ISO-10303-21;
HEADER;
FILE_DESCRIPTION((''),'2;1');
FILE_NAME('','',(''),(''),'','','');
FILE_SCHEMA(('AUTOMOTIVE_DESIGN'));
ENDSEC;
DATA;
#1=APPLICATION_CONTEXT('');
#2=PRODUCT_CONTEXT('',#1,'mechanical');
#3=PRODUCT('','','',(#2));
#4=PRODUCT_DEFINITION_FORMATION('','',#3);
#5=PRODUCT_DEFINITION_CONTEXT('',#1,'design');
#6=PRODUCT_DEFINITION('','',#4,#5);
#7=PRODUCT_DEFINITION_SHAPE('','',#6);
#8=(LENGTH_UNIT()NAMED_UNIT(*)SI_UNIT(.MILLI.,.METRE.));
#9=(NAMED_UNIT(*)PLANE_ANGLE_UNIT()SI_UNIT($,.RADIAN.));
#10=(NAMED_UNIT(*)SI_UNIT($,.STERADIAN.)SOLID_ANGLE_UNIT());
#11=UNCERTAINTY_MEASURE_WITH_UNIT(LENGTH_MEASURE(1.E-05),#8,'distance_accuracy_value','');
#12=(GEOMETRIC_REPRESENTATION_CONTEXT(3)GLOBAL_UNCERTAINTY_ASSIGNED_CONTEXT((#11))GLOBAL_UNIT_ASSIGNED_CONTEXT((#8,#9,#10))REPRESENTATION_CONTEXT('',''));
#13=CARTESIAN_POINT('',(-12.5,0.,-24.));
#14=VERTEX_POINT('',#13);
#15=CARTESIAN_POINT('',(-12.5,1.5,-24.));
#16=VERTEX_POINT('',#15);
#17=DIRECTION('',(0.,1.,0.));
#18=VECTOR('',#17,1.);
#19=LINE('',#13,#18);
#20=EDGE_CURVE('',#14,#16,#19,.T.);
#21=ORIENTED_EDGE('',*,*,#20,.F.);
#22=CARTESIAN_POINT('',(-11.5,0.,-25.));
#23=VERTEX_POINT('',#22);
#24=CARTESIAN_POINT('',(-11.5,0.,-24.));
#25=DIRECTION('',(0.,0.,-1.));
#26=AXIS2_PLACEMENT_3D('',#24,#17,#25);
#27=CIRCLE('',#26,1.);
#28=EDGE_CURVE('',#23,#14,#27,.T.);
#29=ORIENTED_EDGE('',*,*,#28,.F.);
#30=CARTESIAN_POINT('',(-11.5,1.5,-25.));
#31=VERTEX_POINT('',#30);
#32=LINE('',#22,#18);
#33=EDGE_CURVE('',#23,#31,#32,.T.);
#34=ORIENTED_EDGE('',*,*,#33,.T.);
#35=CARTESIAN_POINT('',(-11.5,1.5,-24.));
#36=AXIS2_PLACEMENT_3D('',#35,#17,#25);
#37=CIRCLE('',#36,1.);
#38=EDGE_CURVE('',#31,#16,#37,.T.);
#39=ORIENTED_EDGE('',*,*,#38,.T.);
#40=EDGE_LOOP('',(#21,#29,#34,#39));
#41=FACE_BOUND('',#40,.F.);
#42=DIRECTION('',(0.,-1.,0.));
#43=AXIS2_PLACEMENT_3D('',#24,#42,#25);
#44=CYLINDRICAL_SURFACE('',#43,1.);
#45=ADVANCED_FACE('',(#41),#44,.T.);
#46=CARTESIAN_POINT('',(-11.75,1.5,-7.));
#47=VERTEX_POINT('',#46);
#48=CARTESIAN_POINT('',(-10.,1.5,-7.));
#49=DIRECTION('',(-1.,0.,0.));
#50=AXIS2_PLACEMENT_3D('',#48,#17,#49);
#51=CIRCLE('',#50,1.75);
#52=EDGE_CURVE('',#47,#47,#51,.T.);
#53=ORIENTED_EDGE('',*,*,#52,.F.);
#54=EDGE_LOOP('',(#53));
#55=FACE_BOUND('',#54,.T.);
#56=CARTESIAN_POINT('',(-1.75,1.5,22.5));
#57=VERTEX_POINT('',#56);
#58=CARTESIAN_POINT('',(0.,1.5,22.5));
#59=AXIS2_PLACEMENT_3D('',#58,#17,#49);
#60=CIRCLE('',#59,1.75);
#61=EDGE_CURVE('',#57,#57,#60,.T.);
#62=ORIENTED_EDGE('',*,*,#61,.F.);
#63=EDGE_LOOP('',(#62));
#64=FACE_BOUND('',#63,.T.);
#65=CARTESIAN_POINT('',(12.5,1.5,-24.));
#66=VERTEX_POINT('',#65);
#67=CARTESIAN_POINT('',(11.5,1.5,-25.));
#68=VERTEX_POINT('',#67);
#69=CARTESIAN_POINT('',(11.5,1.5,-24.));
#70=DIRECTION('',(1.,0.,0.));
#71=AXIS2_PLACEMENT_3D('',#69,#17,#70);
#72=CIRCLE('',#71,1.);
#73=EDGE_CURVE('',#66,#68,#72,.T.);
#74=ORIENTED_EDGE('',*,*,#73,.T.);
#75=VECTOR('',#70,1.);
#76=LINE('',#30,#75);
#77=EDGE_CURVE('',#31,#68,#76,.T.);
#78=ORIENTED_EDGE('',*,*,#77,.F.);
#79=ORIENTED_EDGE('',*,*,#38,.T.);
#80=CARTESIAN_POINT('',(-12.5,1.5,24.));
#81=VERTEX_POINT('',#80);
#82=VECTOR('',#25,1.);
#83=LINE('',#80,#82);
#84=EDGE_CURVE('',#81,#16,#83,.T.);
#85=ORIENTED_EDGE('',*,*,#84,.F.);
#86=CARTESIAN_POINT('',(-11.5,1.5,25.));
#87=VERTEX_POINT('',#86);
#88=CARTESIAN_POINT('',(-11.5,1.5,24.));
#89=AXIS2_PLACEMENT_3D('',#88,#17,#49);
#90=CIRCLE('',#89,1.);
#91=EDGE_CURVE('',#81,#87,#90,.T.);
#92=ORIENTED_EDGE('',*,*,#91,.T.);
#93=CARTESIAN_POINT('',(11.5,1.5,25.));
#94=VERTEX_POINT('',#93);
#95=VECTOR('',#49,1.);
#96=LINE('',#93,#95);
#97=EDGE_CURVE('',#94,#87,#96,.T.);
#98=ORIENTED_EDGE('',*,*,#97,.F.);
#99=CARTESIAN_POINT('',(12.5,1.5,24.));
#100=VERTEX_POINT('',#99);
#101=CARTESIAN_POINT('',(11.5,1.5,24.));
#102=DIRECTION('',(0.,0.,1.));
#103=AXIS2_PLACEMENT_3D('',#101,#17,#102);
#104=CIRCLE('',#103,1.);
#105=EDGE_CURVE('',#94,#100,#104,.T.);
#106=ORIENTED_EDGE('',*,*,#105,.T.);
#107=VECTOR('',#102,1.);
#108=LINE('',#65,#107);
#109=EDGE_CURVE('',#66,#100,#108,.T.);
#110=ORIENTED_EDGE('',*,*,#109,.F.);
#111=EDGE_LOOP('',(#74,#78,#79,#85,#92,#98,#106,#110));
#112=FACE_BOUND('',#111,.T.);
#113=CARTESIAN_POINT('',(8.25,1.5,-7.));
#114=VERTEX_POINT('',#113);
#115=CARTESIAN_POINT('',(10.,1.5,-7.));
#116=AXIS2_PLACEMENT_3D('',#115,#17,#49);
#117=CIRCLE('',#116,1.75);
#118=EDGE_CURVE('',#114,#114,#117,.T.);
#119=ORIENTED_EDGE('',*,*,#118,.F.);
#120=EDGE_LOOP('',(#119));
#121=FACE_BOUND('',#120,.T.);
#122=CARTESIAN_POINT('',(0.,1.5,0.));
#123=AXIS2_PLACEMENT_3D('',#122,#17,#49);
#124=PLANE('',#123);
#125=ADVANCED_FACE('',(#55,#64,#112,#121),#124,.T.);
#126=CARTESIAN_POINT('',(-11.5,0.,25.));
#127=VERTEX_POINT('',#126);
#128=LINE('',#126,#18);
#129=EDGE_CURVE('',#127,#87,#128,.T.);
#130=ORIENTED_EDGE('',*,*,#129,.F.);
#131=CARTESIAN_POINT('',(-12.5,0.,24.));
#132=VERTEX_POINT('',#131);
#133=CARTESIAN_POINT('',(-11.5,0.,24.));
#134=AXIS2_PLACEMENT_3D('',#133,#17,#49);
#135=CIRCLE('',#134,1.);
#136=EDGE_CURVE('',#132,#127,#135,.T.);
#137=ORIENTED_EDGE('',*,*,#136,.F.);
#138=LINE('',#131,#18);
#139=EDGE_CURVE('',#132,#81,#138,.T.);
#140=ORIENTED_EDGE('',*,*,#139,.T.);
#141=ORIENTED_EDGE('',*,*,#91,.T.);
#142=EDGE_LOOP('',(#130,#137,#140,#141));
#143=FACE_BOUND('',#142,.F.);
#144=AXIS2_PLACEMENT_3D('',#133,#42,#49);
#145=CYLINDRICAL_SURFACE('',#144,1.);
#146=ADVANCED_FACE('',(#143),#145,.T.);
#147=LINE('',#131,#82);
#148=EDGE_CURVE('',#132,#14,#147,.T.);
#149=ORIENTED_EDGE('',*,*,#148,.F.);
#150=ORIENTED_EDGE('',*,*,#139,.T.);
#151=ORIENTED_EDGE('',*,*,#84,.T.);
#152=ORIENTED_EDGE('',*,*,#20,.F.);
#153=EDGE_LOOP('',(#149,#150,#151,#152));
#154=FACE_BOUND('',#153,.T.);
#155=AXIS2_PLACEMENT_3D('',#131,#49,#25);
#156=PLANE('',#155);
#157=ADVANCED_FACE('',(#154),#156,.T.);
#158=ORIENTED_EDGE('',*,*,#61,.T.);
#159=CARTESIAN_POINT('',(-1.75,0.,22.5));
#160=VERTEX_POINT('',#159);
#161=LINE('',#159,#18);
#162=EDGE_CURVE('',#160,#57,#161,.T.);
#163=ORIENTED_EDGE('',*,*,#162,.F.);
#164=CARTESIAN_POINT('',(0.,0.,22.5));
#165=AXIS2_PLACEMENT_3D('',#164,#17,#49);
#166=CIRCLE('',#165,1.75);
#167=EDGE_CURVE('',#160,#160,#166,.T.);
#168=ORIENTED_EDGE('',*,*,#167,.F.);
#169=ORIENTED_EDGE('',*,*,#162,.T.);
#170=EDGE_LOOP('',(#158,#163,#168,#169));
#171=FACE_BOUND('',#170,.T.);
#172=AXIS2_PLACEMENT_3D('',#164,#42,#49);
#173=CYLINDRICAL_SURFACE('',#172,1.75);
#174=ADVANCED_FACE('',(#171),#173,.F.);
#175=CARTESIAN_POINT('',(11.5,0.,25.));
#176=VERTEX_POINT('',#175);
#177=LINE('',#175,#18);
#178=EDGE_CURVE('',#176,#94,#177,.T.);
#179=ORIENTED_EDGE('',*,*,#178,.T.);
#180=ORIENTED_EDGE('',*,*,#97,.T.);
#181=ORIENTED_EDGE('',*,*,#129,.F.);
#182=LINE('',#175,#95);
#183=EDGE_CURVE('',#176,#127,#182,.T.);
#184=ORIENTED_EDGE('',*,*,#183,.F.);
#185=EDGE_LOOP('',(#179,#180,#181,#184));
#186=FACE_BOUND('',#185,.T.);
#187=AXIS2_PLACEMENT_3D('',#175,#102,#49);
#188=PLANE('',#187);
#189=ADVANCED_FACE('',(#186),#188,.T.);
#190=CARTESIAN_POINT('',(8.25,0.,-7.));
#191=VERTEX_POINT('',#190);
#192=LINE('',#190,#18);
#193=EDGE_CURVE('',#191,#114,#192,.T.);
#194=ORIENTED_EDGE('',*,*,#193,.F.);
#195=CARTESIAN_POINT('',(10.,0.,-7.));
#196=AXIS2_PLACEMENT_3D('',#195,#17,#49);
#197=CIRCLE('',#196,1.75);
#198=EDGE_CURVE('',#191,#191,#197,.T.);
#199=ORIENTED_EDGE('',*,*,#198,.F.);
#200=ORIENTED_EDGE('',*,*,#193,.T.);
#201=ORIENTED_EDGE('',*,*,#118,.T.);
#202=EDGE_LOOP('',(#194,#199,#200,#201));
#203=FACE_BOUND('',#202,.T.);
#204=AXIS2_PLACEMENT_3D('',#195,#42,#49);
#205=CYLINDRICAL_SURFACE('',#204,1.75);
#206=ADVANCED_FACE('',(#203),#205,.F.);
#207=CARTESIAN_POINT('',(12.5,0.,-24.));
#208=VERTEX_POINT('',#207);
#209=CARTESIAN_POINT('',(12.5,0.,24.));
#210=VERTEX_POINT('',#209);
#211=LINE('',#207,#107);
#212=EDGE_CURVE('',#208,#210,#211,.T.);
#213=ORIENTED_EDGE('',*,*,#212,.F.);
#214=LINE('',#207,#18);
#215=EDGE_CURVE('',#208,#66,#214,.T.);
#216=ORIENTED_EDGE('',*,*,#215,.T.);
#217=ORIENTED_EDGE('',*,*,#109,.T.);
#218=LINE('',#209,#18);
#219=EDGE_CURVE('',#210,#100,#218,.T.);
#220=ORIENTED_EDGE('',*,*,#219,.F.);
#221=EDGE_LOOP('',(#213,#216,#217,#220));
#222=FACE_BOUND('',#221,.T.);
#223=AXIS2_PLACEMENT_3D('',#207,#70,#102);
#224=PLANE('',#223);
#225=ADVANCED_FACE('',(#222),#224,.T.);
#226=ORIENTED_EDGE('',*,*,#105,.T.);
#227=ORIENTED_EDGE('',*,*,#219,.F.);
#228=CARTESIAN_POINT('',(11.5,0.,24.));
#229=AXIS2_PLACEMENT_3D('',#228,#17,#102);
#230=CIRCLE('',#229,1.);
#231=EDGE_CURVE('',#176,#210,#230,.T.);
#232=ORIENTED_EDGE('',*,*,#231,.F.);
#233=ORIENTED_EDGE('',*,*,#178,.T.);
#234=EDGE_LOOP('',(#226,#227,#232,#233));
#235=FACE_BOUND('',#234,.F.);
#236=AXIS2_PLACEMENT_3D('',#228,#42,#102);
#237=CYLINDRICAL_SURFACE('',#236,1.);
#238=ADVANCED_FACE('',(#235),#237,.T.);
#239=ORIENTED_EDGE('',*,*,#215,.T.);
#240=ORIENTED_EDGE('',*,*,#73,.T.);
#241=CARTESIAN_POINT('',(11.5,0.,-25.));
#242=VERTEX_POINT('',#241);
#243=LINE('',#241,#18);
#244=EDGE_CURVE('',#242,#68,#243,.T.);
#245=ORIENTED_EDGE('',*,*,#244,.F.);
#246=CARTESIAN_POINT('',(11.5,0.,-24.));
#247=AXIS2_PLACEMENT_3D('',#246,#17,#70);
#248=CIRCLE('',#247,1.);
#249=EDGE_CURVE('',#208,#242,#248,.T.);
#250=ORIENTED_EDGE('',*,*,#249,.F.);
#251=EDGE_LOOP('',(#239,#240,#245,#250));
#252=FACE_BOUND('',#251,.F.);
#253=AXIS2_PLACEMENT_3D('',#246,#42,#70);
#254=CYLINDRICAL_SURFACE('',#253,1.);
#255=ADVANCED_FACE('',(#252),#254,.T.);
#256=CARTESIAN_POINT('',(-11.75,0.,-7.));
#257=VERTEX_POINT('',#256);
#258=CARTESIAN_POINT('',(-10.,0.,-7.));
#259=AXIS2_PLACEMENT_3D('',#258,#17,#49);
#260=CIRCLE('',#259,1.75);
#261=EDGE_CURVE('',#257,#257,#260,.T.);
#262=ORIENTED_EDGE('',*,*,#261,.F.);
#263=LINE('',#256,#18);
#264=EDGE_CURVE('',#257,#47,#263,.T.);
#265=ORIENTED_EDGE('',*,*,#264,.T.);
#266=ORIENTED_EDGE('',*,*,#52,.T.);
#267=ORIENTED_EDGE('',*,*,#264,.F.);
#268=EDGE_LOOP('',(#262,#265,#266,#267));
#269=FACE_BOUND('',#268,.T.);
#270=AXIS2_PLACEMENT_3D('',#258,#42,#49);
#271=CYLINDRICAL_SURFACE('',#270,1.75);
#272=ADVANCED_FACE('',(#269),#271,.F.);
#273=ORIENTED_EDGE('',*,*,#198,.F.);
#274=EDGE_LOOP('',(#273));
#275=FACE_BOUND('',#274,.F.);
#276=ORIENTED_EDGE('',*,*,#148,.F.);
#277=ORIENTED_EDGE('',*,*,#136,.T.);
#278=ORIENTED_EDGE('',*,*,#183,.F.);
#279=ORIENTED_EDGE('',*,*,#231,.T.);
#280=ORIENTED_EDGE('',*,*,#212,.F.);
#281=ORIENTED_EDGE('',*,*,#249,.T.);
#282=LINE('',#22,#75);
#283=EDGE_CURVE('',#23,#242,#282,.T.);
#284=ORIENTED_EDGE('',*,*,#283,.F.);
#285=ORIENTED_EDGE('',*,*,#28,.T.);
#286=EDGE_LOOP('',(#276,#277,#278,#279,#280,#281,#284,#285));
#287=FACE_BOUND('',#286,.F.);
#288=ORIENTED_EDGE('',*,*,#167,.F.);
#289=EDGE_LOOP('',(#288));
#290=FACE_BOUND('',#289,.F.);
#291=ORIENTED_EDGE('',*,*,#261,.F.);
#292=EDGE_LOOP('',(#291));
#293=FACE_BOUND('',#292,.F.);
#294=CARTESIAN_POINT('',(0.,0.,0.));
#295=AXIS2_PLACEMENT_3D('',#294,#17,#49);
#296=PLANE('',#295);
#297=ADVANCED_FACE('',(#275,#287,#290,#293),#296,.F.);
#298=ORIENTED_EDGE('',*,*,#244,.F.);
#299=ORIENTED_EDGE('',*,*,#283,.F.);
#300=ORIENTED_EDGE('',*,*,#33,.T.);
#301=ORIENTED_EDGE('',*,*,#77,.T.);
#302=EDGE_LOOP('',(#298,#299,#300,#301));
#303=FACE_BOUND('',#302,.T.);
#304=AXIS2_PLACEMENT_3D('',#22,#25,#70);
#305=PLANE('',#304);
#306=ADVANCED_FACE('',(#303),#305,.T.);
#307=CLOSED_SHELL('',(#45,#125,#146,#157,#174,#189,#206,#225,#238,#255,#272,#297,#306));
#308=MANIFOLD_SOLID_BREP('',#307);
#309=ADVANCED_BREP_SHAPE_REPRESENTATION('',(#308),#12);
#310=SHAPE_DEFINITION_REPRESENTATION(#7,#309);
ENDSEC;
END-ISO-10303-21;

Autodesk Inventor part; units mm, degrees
ref_plane "YZ Plane" through (0, 0, 0) normal (1, 0, 0) x (0, 1, 0)
ref_plane "XZ Plane" through (0, 0, 0) normal (0, 1, 0) x (-1, 0, 0)
ref_plane "XY Plane" through (0, 0, 0) normal (0, 0, 1) x (1, 0, 0)
sketch "Esquisse1" plane through (0, 0, 0) normal (0, 1, 0) x (-1, 0, 0)
  line L0 (-11.5, 25) -> (11.5, 25)
  line L1 (12.5, 24) -> (12.5, -24)
  line L2 (11.5, -25) -> (-11.5, -25)
  line L3 (-12.5, -24) -> (-12.5, 24)
  line L4 (-12.5, 25) -> (12.5, -25) construction
  line L5 (12.5, 25) -> (-12.5, -25) construction
  arc A0 (12.5, 24) -> (11.5, 25) centre (11.5, 24) ccw
  arc A1 (-11.5, 25) -> (-12.5, 24) centre (-11.5, 24) ccw
  arc A2 (-12.5, -24) -> (-11.5, -25) centre (-11.5, -24) ccw
  arc A3 (11.5, -25) -> (12.5, -24) centre (11.5, -24) ccw
  line L6 (0, 25) -> (0, 22.5) construction
  circle A4 centre (0, 22.5) radius 1.75
  line L7 (9.4717, 25) -> (9.4717, -7) construction
  line L8 (12.5, -7) -> (10, -7) construction
  circle A5 centre (10, -7) radius 1.75
  circle A6 centre (-10, -7) radius 1.75
  point P0 (0, 0)
  dimension "d0" = 25
  dimension "d1" = 50
  dimension "d2" = 1
  dimension "d3" = 2.5
  dimension "d4" = 3.5
  dimension "d5" = 32
  dimension "d6" = 2.5
  dimension "d7" = 3.5
extrude "Extrusion1" add sketch "Esquisse1" along normal blind 1.5
properties part number "PCB"
